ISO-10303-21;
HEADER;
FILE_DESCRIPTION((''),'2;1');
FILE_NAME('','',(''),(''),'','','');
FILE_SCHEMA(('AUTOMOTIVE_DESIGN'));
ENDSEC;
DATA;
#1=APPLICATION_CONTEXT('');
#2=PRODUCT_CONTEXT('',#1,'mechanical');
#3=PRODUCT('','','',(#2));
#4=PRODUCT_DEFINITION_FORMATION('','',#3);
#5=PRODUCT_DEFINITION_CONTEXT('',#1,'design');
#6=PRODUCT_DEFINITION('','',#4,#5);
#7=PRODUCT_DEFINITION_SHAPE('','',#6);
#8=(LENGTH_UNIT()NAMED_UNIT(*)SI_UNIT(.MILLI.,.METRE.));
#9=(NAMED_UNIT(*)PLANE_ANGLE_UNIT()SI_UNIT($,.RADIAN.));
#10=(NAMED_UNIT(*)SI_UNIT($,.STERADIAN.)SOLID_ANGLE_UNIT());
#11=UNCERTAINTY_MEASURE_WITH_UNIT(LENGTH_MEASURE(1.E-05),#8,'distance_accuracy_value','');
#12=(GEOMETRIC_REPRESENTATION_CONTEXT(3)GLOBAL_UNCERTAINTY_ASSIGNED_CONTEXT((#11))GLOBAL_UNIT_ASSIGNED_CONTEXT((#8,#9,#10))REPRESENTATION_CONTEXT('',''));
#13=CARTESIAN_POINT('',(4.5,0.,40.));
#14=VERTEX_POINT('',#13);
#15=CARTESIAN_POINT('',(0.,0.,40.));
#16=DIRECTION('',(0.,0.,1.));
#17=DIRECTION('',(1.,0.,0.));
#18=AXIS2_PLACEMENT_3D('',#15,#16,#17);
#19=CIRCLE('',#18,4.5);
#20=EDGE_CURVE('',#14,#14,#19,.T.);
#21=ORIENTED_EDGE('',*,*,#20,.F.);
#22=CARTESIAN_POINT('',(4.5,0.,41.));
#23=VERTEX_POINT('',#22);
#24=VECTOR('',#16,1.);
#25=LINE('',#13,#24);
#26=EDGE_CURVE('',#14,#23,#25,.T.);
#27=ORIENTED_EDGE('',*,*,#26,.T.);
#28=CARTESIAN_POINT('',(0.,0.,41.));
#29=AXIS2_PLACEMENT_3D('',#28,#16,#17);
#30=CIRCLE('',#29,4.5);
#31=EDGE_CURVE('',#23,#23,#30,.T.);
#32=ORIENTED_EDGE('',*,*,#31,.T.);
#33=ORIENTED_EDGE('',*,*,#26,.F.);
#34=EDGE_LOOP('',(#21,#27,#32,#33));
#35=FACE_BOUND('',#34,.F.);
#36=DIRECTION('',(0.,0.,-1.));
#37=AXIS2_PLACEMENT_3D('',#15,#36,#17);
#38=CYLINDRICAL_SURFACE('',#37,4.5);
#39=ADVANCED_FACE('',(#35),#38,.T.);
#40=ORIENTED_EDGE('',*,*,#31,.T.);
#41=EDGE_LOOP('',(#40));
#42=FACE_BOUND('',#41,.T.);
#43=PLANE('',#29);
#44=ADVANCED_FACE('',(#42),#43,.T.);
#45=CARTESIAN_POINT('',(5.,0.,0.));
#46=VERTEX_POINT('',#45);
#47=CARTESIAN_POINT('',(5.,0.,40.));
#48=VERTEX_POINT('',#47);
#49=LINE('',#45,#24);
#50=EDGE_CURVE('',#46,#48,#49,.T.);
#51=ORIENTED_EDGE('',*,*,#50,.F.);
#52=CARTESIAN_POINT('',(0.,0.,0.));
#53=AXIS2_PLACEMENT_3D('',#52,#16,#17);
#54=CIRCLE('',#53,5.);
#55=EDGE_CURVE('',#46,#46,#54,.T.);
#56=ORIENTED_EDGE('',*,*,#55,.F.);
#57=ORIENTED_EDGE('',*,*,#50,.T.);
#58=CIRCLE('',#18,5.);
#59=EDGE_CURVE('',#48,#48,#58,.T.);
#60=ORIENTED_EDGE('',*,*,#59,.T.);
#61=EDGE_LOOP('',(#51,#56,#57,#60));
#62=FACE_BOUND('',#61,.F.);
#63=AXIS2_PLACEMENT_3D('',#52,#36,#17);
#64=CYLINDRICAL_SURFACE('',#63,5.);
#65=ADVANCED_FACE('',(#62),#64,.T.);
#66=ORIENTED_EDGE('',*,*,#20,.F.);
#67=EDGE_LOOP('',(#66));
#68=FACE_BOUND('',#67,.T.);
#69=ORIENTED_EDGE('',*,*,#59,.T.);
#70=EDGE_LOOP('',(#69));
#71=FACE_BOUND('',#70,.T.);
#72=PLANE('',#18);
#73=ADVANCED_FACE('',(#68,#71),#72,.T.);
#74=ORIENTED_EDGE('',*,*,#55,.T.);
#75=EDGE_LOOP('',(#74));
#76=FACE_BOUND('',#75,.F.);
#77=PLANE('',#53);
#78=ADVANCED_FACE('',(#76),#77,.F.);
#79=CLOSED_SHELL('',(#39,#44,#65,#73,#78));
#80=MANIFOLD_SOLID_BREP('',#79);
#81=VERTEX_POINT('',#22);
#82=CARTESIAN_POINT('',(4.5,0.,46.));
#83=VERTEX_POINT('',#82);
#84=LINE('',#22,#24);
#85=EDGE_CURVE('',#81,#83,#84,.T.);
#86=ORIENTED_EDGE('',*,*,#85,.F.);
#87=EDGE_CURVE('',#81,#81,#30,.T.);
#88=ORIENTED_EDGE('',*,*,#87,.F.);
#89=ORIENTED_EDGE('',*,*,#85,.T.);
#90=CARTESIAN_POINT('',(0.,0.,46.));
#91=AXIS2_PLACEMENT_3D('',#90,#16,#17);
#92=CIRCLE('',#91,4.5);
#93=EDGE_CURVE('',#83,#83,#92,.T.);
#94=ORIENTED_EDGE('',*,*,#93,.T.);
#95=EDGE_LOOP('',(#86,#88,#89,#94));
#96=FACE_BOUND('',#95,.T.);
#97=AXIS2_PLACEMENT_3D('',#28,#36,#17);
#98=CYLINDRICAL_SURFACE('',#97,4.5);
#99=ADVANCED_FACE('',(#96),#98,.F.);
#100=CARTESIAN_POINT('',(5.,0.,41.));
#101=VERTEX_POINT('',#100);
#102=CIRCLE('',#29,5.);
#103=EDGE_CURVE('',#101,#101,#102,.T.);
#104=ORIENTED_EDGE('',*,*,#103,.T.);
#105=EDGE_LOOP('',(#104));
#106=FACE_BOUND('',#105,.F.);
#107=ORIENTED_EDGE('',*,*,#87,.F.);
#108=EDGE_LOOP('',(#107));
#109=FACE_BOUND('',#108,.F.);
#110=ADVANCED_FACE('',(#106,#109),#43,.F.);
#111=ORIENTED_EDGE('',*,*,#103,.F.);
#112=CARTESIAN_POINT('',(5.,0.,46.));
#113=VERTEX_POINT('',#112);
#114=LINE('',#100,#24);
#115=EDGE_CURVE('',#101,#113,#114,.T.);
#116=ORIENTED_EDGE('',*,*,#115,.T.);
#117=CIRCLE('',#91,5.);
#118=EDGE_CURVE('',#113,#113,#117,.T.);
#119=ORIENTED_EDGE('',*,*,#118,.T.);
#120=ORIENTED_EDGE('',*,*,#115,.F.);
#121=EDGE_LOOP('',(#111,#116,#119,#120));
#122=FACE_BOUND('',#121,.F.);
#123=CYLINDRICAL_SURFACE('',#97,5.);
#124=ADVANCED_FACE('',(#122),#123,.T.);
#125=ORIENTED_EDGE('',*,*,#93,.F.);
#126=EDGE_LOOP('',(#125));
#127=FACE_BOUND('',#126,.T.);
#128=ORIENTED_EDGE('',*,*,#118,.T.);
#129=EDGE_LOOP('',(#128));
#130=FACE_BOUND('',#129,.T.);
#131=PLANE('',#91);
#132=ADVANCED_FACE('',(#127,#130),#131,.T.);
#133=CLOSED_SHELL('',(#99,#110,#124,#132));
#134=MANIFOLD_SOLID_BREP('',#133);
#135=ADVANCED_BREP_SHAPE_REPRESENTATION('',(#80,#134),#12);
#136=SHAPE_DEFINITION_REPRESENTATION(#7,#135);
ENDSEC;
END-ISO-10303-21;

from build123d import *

# Parameters (mm, degrees)
F0_R     = 5
F1_DEPTH = 40
F2_R     = 4.5
F3_DEPTH = 1
F4_R     = 5
F4_R_2   = 4.5
F5_DEPTH = 5


with BuildPart() as f1:
    # F0 (on Top) → F1 (new body)
    with BuildSketch(Plane.XY):
        Circle(F0_R)
    extrude(amount=F1_DEPTH)

    # F2 (on face) → F3 (join)
    with BuildSketch(Plane.XY.offset(40)):
        Circle(F2_R)
    extrude(amount=F3_DEPTH)


with BuildPart() as f5:
    # F4 (on face) → F5 (new body)
    with BuildSketch(Plane.XY.offset(41)):
        Circle(F4_R)
        Circle(F4_R_2, mode=Mode.SUBTRACT)
    extrude(amount=F5_DEPTH)


solid = Compound([f1.part, f5.part])
